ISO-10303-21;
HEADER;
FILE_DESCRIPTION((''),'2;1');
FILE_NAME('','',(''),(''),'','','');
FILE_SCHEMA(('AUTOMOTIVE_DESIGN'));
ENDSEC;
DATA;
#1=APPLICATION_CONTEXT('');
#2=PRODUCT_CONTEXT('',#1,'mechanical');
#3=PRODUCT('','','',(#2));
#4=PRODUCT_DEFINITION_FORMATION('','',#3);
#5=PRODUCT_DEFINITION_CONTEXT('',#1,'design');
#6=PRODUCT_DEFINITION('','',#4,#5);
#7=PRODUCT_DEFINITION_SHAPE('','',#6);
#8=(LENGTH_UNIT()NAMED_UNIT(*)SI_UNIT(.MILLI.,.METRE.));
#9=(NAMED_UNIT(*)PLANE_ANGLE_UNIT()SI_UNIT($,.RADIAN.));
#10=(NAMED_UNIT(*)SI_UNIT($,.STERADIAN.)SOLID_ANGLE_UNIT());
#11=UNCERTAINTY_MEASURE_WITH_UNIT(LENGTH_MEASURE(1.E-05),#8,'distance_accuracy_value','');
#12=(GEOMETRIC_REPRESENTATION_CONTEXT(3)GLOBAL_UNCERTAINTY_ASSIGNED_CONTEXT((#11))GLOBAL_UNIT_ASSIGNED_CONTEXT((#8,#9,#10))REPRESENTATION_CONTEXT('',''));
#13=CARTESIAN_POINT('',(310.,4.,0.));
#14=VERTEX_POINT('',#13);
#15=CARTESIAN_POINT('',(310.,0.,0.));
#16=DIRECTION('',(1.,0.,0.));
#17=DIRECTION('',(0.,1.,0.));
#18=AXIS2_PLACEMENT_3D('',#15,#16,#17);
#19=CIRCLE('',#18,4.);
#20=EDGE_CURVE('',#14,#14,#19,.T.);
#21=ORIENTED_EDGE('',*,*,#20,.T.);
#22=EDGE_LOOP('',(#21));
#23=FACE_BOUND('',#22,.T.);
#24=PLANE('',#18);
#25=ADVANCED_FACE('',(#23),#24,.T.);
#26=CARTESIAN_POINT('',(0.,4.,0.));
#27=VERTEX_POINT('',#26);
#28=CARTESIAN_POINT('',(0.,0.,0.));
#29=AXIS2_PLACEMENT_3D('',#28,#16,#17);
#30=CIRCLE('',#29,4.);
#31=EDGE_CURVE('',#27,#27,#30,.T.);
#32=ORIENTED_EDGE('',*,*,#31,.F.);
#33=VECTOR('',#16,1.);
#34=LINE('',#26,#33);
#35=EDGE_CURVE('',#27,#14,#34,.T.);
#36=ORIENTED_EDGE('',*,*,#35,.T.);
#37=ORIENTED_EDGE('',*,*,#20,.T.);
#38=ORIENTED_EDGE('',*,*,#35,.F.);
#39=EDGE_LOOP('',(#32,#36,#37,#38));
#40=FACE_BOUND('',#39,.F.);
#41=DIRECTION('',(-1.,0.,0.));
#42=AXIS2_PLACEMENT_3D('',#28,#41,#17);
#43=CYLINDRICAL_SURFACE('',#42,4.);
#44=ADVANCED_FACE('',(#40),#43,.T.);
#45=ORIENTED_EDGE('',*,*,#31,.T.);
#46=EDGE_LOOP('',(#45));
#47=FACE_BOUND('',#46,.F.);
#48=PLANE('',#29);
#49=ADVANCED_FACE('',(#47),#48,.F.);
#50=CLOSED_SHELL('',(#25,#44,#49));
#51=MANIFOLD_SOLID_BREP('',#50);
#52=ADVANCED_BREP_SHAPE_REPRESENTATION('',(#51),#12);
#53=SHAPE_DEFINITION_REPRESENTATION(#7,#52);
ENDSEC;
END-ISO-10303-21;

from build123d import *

# Parameters (mm, degrees)
SKETCH_R  = 4
PAD_DEPTH = 310


with BuildPart() as part:
    # Sketch → Pad (new body)
    with BuildSketch(Plane.YZ):
        Circle(SKETCH_R)
    extrude(amount=PAD_DEPTH)


solid = part.part
